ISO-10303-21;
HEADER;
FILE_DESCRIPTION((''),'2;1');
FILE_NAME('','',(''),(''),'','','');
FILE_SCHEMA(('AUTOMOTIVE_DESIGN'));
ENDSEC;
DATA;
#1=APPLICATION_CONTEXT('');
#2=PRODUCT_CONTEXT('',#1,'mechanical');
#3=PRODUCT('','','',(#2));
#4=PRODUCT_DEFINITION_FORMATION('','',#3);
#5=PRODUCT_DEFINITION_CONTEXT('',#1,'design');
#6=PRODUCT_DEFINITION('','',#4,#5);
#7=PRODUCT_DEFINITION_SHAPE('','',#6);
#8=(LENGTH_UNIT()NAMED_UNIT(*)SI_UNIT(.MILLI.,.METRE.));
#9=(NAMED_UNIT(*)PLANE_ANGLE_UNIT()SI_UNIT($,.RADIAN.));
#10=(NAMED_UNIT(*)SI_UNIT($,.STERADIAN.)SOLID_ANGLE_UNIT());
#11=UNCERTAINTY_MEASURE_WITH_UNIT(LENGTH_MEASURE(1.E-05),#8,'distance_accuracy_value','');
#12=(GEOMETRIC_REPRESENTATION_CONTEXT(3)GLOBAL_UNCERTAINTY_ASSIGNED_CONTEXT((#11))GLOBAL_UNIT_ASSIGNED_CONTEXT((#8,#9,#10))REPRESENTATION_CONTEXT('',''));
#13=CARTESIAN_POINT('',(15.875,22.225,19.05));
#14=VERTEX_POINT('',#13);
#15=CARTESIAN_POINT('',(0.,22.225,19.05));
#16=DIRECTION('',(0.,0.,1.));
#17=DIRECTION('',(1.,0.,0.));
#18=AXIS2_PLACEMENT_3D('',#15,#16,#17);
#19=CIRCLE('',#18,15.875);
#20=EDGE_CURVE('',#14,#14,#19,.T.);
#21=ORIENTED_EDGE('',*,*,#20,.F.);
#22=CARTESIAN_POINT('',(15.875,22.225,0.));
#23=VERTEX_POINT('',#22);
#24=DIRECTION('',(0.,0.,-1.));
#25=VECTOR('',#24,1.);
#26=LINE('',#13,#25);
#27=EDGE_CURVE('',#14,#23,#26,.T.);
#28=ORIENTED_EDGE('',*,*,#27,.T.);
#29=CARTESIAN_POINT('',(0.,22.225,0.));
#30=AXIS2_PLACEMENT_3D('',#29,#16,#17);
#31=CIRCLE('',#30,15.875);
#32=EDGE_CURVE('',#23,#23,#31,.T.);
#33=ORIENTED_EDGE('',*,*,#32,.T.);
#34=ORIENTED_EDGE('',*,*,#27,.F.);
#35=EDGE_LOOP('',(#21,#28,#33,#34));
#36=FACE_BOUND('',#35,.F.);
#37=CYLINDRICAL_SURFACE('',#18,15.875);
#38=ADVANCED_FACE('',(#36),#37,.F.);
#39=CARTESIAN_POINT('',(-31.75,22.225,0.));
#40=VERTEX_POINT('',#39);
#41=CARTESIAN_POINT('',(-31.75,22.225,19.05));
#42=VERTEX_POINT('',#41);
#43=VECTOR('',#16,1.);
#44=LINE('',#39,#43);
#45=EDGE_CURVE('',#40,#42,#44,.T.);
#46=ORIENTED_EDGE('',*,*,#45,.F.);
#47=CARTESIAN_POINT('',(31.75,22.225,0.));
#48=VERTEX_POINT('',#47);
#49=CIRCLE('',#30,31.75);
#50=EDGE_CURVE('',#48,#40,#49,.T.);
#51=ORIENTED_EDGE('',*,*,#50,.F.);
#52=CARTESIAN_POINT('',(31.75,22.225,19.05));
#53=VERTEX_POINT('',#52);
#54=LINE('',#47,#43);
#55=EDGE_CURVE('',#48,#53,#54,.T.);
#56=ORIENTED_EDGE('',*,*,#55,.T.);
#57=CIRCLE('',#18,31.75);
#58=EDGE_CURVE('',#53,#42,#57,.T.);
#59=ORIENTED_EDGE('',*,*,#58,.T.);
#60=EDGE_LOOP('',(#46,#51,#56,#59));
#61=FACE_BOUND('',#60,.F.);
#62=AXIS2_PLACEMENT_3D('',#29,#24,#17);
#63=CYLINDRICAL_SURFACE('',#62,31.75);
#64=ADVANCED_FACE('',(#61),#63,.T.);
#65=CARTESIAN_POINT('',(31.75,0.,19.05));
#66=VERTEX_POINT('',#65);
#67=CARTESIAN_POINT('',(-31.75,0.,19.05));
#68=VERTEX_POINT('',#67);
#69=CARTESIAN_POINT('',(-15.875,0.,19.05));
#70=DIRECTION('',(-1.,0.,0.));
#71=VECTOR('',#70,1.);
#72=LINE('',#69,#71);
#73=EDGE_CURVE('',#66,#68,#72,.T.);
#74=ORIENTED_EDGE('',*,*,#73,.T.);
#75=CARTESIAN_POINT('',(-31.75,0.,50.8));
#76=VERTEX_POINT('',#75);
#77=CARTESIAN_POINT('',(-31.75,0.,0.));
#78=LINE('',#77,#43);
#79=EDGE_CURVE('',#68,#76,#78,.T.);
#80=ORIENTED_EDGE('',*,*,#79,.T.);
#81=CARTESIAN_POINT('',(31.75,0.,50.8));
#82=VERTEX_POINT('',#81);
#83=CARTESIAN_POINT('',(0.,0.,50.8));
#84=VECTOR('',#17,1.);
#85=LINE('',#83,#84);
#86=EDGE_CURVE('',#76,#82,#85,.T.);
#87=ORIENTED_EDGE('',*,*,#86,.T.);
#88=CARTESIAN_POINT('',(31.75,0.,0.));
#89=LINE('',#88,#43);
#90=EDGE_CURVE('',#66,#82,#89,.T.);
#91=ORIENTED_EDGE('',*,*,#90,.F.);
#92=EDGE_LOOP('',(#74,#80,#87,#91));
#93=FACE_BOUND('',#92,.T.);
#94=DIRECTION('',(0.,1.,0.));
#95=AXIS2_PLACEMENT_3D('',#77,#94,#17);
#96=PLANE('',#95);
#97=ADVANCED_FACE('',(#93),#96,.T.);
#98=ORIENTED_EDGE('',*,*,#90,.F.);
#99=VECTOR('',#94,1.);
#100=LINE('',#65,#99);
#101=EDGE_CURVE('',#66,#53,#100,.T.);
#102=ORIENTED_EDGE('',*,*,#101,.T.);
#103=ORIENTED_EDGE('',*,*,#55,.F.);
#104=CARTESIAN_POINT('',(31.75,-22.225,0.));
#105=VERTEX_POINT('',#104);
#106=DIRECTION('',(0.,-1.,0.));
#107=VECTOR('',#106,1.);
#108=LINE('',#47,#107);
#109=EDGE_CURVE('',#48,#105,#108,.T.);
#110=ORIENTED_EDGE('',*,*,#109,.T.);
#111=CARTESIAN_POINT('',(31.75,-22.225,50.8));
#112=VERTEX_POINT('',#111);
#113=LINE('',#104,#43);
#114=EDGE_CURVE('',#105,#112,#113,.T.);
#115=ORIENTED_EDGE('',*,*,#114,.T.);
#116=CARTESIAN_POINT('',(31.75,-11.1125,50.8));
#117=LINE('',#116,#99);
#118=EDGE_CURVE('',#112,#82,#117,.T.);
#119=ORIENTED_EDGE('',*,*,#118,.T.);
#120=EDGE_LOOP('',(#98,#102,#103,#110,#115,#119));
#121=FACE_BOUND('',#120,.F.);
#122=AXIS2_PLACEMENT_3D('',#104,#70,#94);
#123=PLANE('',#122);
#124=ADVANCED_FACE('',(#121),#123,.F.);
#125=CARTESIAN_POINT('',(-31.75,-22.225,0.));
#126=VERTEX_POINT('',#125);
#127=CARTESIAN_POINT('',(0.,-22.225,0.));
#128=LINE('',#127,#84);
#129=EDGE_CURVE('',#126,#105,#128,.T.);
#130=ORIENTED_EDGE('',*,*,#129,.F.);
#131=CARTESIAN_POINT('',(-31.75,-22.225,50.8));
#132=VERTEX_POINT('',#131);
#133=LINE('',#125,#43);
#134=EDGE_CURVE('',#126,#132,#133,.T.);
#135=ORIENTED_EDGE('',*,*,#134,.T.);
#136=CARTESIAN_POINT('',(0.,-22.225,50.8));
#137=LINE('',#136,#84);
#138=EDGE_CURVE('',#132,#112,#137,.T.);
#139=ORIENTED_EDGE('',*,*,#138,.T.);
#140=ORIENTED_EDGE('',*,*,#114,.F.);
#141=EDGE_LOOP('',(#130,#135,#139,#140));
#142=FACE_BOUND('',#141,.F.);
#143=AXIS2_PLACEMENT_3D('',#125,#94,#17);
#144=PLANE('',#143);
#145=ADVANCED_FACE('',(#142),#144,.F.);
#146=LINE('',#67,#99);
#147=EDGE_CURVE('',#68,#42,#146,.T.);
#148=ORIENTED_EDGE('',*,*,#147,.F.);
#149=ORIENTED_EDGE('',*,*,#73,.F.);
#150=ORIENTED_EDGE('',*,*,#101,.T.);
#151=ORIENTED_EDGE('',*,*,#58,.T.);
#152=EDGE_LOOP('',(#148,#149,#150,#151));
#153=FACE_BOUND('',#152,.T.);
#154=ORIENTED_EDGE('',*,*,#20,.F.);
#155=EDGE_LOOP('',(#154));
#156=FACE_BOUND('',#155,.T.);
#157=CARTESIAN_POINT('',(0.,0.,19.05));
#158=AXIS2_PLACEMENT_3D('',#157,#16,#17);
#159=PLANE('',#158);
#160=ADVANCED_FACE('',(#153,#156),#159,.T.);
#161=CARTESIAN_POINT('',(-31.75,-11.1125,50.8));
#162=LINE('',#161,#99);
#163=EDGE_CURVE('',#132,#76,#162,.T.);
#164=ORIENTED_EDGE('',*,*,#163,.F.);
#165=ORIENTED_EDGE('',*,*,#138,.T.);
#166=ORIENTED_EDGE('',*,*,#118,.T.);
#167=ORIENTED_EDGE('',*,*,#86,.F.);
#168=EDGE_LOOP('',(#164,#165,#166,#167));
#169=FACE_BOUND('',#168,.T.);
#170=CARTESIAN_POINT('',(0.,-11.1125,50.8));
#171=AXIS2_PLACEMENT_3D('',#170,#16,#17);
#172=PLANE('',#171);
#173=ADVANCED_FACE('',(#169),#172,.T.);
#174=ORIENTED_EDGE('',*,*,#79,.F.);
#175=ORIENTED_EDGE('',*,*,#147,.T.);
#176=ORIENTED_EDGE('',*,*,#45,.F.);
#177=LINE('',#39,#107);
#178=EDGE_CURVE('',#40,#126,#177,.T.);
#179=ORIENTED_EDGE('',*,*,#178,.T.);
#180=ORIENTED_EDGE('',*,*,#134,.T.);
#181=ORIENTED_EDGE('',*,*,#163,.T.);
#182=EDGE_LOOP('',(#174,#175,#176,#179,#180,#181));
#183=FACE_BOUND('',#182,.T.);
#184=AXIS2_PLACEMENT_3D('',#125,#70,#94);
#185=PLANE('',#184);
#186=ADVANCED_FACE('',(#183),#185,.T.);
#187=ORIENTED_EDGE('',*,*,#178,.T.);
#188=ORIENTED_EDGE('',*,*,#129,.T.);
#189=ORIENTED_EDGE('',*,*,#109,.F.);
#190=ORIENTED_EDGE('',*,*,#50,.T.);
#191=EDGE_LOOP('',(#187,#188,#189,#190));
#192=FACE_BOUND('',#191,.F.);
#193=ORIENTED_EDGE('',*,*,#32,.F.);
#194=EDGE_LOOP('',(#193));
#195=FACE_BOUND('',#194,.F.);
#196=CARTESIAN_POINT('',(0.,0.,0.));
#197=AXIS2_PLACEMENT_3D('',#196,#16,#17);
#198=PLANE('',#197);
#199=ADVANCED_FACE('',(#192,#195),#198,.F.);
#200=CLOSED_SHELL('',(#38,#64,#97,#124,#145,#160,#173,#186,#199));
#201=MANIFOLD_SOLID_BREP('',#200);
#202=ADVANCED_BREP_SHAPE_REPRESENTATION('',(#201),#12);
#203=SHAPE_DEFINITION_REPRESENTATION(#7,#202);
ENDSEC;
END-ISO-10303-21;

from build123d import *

# Parameters (mm, degrees)
F0_W     = 63.5
F0_H     = 44.45
F1_DEPTH = 19.05
F2_R     = 15.875
F3_DEPTH = 25.4
F4_W     = 63.5
F4_H     = 22.225
F5_DEPTH = 50.8


with BuildPart() as f1:
    # F0 (on Top) → F1 (new body)
    with BuildSketch(Plane.XY):
        Rectangle(F0_W, F0_H)
        with BuildLine():
            Line((-31.75, 22.225), (31.75, 22.225))
            ThreePointArc((31.75, 22.225), (0, 53.975), (-31.75, 22.225))
        make_face()
    extrude(amount=F1_DEPTH)

    # F2 (on face) → F3 (cut)
    with BuildSketch(Plane.XY.offset(19.05)):
        with Locations((0, 22.225)):
            Circle(F2_R)
    extrude(amount=-F3_DEPTH, mode=Mode.SUBTRACT)

    # F4 (on Top) → F5 (join)
    with BuildSketch(Plane.XY):
        with Locations((0, -11.1125)):
            Rectangle(F4_W, F4_H)
    extrude(amount=F5_DEPTH)


solid = f1.part
